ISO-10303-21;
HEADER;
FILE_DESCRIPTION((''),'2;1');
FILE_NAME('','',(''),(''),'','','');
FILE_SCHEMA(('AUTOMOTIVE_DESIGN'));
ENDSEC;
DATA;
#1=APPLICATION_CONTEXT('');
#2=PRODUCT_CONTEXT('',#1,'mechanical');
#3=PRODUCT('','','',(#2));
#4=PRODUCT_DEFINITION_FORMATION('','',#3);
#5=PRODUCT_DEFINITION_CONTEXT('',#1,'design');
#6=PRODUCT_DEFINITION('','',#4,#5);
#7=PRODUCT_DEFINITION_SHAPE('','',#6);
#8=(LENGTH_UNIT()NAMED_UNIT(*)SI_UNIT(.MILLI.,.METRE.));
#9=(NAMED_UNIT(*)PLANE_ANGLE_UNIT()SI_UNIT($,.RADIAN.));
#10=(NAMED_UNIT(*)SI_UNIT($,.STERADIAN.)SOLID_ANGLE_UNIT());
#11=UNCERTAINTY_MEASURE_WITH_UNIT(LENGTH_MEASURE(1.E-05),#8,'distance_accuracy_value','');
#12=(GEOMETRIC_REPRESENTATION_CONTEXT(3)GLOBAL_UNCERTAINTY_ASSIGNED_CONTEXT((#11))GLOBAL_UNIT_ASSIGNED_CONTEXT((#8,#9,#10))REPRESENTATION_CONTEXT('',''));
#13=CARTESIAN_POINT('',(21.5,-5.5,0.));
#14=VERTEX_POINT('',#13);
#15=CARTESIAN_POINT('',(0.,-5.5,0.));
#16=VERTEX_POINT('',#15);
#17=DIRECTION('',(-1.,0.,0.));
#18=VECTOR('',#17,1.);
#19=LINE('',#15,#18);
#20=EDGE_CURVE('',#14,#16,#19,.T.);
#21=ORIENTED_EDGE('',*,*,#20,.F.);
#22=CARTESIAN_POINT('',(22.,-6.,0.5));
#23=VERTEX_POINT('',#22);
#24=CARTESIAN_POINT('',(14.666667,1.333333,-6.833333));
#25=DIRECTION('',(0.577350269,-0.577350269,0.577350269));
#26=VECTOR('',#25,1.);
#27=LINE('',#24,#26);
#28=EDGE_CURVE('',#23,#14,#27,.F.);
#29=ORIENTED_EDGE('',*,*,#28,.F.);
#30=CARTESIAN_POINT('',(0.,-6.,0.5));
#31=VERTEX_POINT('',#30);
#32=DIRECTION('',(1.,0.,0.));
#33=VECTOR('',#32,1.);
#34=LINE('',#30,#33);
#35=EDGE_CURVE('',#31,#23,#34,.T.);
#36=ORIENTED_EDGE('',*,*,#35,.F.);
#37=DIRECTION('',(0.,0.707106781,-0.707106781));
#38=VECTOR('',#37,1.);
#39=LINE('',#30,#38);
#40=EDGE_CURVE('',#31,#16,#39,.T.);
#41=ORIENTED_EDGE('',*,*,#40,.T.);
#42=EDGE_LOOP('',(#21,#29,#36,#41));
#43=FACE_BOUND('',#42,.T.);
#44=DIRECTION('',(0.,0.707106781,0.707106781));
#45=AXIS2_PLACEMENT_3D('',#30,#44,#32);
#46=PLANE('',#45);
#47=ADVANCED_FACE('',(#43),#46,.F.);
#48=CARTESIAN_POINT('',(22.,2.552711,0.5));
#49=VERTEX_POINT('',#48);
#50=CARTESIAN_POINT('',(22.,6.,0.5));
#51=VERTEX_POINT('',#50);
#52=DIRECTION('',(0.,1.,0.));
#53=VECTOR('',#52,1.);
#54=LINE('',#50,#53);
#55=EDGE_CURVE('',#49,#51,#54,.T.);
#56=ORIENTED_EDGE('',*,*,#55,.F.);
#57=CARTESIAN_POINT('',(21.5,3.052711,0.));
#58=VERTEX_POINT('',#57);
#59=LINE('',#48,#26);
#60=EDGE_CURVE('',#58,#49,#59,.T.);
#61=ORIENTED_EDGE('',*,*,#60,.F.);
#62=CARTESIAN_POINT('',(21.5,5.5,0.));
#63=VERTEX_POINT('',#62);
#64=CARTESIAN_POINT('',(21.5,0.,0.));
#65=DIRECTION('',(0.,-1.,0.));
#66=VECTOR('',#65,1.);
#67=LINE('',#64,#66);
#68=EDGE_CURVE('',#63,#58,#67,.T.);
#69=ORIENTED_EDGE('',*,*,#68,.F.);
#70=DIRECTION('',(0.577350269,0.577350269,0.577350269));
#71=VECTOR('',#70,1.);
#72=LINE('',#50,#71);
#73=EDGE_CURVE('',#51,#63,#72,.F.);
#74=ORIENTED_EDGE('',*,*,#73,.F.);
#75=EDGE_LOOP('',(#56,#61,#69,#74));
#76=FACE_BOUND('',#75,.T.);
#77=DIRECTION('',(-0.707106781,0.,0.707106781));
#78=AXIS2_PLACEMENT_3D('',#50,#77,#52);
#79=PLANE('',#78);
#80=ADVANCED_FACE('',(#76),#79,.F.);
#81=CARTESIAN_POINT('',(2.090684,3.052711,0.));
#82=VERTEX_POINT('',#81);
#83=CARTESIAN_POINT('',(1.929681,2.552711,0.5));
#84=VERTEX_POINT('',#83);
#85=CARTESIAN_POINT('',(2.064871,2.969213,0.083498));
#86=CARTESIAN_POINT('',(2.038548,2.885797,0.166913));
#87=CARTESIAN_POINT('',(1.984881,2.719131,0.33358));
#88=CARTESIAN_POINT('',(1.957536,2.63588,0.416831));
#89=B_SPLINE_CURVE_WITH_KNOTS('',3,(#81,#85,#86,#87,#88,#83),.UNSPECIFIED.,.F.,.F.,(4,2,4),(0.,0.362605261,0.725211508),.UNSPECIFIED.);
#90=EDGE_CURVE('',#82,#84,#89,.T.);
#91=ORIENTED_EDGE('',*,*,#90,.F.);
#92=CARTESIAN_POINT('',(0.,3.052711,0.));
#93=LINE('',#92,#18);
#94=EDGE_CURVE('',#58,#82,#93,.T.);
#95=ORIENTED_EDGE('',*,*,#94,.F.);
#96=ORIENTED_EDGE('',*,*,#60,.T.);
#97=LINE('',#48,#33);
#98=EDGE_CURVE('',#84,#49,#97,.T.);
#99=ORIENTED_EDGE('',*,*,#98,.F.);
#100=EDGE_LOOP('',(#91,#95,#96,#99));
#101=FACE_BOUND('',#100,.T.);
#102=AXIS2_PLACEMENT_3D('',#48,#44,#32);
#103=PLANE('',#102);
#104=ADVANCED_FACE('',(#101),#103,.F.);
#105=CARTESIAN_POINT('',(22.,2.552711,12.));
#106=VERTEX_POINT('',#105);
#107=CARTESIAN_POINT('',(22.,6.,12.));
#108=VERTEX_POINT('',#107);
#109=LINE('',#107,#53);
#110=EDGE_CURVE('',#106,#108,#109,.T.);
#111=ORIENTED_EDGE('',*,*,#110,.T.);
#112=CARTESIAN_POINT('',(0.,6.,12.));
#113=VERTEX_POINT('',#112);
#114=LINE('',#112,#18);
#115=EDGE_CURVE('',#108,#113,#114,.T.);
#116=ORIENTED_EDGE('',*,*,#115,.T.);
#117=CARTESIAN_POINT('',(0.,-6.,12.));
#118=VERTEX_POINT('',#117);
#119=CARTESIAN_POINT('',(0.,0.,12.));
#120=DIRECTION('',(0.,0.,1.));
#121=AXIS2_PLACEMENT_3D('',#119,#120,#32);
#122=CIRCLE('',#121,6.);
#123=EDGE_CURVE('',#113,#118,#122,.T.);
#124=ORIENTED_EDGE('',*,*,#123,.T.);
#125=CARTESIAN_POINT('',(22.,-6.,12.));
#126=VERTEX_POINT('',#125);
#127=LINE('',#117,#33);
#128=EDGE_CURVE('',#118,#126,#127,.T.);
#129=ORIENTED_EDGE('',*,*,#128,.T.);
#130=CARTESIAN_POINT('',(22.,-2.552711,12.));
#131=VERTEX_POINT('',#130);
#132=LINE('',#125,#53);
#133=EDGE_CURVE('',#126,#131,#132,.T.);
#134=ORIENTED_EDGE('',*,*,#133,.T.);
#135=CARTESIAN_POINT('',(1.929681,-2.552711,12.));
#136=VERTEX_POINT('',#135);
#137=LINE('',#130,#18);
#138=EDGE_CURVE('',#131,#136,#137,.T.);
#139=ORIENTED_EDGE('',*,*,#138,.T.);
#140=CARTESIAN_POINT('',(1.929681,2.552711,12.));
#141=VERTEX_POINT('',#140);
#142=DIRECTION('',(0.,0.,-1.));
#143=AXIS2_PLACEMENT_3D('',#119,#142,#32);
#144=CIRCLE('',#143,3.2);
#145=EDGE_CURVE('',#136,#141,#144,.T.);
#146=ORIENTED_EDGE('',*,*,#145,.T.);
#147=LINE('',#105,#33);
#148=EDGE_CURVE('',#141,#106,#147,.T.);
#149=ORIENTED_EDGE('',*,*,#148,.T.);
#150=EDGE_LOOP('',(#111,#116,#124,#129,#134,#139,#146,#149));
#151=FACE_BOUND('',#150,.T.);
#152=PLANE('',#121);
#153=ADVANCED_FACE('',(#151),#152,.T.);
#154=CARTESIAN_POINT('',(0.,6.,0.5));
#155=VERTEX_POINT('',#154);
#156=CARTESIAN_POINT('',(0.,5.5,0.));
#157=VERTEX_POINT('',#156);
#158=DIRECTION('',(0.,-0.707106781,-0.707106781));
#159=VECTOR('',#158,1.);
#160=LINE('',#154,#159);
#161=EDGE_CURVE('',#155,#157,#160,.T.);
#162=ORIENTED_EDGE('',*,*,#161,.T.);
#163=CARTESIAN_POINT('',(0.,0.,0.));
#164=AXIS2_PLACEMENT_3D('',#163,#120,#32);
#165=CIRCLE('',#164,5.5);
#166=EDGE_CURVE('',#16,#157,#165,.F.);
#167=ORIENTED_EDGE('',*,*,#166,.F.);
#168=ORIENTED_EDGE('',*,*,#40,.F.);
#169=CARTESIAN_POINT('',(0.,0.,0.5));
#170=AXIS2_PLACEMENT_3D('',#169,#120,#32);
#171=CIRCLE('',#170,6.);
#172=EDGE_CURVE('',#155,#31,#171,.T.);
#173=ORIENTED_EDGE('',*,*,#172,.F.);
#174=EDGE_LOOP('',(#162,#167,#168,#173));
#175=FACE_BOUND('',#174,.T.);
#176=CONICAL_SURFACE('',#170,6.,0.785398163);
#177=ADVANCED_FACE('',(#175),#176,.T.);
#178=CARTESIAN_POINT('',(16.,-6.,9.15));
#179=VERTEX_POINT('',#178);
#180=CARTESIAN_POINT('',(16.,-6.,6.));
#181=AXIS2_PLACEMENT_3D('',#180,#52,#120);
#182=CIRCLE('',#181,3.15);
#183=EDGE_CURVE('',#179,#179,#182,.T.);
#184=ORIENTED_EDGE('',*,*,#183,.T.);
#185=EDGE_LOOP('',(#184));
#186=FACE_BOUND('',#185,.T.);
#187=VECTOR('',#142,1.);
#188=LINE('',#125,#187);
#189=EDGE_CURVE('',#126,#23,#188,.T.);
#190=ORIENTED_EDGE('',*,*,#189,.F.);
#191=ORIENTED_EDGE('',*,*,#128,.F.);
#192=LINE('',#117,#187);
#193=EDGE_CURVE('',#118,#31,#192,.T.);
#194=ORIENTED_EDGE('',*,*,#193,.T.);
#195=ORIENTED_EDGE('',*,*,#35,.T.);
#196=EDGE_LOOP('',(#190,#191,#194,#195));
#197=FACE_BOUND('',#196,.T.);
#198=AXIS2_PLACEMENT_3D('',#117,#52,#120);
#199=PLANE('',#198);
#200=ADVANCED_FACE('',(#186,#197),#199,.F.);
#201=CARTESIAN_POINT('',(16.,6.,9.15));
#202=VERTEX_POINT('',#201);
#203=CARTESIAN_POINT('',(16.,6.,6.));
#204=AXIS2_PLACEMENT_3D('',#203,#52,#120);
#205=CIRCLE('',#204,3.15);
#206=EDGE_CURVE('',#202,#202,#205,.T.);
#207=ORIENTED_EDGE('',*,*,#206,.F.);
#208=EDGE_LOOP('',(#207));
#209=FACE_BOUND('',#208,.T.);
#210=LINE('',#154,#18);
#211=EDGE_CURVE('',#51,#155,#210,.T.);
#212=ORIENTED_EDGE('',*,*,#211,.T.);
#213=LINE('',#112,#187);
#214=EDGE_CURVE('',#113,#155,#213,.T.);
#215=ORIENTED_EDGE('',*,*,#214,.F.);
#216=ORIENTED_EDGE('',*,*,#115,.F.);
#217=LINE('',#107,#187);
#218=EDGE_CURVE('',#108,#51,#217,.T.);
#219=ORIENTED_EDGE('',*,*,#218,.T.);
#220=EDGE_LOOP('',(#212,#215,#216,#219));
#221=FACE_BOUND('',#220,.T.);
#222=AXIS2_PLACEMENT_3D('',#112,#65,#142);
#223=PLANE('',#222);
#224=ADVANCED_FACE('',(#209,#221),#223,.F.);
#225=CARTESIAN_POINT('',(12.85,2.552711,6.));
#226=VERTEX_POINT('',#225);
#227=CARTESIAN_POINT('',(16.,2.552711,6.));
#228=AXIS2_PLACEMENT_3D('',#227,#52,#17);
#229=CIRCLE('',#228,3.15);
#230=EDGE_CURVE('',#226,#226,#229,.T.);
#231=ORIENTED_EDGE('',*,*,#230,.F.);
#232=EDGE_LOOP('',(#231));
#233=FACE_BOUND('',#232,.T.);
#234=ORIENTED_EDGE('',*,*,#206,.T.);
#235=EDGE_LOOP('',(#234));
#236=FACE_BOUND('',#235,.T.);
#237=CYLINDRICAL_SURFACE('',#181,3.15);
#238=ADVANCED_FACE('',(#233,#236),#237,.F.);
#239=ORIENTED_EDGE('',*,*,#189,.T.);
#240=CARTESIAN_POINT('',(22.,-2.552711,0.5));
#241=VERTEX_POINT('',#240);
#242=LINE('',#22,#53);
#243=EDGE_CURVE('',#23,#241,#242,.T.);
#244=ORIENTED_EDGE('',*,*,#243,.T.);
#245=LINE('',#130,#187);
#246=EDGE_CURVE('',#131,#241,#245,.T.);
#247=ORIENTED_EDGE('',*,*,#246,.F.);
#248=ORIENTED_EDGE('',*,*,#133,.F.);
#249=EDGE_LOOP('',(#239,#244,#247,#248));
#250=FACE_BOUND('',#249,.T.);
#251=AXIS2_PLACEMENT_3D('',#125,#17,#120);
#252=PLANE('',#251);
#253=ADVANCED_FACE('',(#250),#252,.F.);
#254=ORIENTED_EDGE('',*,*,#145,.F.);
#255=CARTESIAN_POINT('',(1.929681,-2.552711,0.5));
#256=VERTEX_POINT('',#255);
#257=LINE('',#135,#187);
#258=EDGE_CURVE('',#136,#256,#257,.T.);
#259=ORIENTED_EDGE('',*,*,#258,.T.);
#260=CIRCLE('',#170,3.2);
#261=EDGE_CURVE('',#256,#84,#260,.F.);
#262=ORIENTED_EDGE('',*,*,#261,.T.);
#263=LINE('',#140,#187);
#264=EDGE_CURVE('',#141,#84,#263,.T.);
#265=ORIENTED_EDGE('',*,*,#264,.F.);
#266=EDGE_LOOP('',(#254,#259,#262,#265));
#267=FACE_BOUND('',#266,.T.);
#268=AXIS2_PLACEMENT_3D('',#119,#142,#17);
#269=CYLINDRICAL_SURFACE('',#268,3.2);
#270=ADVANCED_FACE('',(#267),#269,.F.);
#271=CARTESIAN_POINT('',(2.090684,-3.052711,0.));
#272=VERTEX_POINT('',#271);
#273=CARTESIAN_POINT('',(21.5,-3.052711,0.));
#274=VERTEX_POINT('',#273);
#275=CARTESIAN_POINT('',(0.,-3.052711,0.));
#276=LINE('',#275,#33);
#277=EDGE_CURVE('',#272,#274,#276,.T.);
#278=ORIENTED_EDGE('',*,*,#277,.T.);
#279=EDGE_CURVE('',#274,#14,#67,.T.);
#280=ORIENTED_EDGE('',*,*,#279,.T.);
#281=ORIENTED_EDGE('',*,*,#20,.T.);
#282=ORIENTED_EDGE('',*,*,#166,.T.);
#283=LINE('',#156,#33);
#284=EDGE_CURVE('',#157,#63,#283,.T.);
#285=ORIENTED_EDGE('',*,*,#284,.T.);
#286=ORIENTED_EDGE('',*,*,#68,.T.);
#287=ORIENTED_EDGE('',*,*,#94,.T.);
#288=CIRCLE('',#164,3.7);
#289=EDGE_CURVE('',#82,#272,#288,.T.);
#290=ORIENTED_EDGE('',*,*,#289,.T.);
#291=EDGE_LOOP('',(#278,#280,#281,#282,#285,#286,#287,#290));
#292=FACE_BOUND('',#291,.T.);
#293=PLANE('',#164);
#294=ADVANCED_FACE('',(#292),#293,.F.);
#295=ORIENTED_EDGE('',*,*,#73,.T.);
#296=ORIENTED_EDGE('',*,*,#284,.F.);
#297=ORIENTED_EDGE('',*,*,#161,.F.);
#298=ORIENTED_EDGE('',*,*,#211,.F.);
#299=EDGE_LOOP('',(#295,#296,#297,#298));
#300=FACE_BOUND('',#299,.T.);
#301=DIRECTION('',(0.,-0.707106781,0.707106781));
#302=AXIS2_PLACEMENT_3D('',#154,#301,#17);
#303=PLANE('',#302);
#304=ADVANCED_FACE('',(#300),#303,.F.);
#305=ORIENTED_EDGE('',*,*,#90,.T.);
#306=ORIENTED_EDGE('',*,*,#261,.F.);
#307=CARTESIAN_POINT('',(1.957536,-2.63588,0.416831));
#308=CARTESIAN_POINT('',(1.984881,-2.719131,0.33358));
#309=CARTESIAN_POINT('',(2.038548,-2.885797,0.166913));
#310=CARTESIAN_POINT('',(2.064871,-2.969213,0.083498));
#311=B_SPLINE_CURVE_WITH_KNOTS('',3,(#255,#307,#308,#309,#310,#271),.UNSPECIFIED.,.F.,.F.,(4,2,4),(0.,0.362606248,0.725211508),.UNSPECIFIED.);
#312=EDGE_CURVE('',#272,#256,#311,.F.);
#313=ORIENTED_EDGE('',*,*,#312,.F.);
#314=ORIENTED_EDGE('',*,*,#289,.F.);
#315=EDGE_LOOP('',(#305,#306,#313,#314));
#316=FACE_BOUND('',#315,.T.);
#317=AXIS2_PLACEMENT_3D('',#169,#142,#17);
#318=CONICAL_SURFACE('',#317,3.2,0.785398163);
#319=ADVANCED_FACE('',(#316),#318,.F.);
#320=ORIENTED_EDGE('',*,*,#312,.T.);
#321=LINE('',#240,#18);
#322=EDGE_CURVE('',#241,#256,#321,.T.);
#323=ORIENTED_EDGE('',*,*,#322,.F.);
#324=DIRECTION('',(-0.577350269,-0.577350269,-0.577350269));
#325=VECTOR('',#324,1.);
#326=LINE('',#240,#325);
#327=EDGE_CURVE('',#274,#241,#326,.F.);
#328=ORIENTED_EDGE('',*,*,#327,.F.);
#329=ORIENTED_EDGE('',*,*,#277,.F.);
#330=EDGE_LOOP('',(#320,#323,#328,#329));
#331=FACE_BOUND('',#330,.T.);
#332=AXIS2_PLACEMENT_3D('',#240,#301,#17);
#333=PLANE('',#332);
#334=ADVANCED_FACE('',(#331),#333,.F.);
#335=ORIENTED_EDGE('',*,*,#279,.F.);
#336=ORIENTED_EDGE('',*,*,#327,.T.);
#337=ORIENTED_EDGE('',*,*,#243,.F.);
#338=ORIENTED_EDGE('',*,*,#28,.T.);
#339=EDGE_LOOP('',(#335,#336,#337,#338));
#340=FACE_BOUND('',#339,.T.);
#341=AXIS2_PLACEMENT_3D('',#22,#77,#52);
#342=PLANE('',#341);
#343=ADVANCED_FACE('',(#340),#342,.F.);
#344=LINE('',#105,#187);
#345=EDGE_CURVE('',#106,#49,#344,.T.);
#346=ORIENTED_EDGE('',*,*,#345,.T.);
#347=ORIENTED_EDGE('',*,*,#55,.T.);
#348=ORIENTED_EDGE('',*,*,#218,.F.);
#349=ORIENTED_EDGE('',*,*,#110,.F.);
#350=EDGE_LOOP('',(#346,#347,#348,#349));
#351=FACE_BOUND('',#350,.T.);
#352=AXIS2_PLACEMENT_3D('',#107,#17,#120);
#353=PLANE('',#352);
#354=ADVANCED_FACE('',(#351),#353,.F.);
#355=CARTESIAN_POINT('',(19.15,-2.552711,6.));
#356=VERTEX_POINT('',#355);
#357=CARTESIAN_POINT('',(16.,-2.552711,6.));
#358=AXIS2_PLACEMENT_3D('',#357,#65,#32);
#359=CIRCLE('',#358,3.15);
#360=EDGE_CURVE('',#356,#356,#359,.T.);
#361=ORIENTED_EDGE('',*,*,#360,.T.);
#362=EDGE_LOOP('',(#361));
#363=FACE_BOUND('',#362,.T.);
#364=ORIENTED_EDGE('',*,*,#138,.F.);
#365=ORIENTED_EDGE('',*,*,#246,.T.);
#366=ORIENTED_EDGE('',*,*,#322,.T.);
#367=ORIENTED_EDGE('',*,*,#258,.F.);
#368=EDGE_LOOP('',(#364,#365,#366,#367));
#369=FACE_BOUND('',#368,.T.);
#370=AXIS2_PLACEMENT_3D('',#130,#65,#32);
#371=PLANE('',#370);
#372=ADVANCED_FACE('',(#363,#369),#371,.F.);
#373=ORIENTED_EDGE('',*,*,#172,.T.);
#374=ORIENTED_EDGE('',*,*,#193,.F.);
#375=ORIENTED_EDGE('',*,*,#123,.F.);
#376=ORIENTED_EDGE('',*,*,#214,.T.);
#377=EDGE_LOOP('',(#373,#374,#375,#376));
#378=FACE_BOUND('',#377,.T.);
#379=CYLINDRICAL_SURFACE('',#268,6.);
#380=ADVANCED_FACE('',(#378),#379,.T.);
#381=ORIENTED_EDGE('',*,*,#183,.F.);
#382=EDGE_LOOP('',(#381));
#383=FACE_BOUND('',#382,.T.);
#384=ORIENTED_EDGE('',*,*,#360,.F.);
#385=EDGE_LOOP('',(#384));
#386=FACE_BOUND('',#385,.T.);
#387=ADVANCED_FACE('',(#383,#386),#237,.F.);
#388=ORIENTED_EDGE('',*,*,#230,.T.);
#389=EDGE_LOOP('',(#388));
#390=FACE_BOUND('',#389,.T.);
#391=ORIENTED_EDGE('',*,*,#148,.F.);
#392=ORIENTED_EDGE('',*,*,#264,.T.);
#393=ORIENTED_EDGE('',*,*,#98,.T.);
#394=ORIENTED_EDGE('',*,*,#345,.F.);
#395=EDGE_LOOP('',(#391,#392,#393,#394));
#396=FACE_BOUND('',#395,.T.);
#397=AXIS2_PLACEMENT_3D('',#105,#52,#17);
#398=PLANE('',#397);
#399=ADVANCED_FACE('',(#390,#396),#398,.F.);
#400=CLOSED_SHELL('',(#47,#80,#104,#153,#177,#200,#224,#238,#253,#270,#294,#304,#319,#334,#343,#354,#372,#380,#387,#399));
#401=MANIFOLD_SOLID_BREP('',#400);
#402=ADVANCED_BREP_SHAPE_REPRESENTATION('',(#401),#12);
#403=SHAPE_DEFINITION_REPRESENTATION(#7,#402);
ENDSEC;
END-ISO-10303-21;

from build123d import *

# Parameters (mm, degrees)
BOSS_EXTRUDE1_DEPTH     = 12
CUT_EXTRUDE1_DEPTH      = 26.768197453
CUT_EXTRUDE1_DEPTH_BACK = 26.768197453
SKETCH2_R               = 3.15
CHAMFER1_SIZE           = 0.5


with BuildPart() as part:
    # Sketch1 → Boss-Extrude1 (new body)
    with BuildSketch(Plane.XY):
        with BuildLine():
            Line((0, 6), (22, 6))
            Line((22, 6), (22, 2.552710574))
            Line((22, 2.552710574), (1.929680991, 2.552710574))
            ThreePointArc((1.929680991, 2.552710574), (-3.2, 0), (1.929680991, -2.552710574))
            Line((1.929680991, -2.552710574), (22, -2.552710574))
            Line((22, -2.552710574), (22, -6))
            Line((22, -6), (0, -6))
            ThreePointArc((0, -6), (-6, 0), (0, 6))
        make_face()
    extrude(amount=BOSS_EXTRUDE1_DEPTH)

    # Sketch2 → Cut-Extrude1 (cut, two sides: drawn at the far end of the back side and taken through both)
    with BuildSketch(Plane(origin=(0, 0, 0), x_dir=(1, 0, 0), z_dir=(0, 1, 0)).offset(-CUT_EXTRUDE1_DEPTH_BACK)):
        with Locations(Location((16, -6, 0), (0, 0, 270))):
            Circle(SKETCH2_R)
    extrude(amount=CUT_EXTRUDE1_DEPTH + CUT_EXTRUDE1_DEPTH_BACK, mode=Mode.SUBTRACT)

    # Chamfer1
    chamfer1_edges = [part.edges().sort_by_distance(p)[0] for p in [
        (11.964840496, 2.552710574, 0),
        (-3.2, 0, 0),
        (11.964840496, -2.552710574, 0),
        (22, -4.276355287, 0),
        (11, -6, 0),
        (-6, 0, 0),
        (11, 6, 0),
        (22, 4.276355287, 0),
    ]]
    chamfer(chamfer1_edges, length=CHAMFER1_SIZE)


solid = part.part
